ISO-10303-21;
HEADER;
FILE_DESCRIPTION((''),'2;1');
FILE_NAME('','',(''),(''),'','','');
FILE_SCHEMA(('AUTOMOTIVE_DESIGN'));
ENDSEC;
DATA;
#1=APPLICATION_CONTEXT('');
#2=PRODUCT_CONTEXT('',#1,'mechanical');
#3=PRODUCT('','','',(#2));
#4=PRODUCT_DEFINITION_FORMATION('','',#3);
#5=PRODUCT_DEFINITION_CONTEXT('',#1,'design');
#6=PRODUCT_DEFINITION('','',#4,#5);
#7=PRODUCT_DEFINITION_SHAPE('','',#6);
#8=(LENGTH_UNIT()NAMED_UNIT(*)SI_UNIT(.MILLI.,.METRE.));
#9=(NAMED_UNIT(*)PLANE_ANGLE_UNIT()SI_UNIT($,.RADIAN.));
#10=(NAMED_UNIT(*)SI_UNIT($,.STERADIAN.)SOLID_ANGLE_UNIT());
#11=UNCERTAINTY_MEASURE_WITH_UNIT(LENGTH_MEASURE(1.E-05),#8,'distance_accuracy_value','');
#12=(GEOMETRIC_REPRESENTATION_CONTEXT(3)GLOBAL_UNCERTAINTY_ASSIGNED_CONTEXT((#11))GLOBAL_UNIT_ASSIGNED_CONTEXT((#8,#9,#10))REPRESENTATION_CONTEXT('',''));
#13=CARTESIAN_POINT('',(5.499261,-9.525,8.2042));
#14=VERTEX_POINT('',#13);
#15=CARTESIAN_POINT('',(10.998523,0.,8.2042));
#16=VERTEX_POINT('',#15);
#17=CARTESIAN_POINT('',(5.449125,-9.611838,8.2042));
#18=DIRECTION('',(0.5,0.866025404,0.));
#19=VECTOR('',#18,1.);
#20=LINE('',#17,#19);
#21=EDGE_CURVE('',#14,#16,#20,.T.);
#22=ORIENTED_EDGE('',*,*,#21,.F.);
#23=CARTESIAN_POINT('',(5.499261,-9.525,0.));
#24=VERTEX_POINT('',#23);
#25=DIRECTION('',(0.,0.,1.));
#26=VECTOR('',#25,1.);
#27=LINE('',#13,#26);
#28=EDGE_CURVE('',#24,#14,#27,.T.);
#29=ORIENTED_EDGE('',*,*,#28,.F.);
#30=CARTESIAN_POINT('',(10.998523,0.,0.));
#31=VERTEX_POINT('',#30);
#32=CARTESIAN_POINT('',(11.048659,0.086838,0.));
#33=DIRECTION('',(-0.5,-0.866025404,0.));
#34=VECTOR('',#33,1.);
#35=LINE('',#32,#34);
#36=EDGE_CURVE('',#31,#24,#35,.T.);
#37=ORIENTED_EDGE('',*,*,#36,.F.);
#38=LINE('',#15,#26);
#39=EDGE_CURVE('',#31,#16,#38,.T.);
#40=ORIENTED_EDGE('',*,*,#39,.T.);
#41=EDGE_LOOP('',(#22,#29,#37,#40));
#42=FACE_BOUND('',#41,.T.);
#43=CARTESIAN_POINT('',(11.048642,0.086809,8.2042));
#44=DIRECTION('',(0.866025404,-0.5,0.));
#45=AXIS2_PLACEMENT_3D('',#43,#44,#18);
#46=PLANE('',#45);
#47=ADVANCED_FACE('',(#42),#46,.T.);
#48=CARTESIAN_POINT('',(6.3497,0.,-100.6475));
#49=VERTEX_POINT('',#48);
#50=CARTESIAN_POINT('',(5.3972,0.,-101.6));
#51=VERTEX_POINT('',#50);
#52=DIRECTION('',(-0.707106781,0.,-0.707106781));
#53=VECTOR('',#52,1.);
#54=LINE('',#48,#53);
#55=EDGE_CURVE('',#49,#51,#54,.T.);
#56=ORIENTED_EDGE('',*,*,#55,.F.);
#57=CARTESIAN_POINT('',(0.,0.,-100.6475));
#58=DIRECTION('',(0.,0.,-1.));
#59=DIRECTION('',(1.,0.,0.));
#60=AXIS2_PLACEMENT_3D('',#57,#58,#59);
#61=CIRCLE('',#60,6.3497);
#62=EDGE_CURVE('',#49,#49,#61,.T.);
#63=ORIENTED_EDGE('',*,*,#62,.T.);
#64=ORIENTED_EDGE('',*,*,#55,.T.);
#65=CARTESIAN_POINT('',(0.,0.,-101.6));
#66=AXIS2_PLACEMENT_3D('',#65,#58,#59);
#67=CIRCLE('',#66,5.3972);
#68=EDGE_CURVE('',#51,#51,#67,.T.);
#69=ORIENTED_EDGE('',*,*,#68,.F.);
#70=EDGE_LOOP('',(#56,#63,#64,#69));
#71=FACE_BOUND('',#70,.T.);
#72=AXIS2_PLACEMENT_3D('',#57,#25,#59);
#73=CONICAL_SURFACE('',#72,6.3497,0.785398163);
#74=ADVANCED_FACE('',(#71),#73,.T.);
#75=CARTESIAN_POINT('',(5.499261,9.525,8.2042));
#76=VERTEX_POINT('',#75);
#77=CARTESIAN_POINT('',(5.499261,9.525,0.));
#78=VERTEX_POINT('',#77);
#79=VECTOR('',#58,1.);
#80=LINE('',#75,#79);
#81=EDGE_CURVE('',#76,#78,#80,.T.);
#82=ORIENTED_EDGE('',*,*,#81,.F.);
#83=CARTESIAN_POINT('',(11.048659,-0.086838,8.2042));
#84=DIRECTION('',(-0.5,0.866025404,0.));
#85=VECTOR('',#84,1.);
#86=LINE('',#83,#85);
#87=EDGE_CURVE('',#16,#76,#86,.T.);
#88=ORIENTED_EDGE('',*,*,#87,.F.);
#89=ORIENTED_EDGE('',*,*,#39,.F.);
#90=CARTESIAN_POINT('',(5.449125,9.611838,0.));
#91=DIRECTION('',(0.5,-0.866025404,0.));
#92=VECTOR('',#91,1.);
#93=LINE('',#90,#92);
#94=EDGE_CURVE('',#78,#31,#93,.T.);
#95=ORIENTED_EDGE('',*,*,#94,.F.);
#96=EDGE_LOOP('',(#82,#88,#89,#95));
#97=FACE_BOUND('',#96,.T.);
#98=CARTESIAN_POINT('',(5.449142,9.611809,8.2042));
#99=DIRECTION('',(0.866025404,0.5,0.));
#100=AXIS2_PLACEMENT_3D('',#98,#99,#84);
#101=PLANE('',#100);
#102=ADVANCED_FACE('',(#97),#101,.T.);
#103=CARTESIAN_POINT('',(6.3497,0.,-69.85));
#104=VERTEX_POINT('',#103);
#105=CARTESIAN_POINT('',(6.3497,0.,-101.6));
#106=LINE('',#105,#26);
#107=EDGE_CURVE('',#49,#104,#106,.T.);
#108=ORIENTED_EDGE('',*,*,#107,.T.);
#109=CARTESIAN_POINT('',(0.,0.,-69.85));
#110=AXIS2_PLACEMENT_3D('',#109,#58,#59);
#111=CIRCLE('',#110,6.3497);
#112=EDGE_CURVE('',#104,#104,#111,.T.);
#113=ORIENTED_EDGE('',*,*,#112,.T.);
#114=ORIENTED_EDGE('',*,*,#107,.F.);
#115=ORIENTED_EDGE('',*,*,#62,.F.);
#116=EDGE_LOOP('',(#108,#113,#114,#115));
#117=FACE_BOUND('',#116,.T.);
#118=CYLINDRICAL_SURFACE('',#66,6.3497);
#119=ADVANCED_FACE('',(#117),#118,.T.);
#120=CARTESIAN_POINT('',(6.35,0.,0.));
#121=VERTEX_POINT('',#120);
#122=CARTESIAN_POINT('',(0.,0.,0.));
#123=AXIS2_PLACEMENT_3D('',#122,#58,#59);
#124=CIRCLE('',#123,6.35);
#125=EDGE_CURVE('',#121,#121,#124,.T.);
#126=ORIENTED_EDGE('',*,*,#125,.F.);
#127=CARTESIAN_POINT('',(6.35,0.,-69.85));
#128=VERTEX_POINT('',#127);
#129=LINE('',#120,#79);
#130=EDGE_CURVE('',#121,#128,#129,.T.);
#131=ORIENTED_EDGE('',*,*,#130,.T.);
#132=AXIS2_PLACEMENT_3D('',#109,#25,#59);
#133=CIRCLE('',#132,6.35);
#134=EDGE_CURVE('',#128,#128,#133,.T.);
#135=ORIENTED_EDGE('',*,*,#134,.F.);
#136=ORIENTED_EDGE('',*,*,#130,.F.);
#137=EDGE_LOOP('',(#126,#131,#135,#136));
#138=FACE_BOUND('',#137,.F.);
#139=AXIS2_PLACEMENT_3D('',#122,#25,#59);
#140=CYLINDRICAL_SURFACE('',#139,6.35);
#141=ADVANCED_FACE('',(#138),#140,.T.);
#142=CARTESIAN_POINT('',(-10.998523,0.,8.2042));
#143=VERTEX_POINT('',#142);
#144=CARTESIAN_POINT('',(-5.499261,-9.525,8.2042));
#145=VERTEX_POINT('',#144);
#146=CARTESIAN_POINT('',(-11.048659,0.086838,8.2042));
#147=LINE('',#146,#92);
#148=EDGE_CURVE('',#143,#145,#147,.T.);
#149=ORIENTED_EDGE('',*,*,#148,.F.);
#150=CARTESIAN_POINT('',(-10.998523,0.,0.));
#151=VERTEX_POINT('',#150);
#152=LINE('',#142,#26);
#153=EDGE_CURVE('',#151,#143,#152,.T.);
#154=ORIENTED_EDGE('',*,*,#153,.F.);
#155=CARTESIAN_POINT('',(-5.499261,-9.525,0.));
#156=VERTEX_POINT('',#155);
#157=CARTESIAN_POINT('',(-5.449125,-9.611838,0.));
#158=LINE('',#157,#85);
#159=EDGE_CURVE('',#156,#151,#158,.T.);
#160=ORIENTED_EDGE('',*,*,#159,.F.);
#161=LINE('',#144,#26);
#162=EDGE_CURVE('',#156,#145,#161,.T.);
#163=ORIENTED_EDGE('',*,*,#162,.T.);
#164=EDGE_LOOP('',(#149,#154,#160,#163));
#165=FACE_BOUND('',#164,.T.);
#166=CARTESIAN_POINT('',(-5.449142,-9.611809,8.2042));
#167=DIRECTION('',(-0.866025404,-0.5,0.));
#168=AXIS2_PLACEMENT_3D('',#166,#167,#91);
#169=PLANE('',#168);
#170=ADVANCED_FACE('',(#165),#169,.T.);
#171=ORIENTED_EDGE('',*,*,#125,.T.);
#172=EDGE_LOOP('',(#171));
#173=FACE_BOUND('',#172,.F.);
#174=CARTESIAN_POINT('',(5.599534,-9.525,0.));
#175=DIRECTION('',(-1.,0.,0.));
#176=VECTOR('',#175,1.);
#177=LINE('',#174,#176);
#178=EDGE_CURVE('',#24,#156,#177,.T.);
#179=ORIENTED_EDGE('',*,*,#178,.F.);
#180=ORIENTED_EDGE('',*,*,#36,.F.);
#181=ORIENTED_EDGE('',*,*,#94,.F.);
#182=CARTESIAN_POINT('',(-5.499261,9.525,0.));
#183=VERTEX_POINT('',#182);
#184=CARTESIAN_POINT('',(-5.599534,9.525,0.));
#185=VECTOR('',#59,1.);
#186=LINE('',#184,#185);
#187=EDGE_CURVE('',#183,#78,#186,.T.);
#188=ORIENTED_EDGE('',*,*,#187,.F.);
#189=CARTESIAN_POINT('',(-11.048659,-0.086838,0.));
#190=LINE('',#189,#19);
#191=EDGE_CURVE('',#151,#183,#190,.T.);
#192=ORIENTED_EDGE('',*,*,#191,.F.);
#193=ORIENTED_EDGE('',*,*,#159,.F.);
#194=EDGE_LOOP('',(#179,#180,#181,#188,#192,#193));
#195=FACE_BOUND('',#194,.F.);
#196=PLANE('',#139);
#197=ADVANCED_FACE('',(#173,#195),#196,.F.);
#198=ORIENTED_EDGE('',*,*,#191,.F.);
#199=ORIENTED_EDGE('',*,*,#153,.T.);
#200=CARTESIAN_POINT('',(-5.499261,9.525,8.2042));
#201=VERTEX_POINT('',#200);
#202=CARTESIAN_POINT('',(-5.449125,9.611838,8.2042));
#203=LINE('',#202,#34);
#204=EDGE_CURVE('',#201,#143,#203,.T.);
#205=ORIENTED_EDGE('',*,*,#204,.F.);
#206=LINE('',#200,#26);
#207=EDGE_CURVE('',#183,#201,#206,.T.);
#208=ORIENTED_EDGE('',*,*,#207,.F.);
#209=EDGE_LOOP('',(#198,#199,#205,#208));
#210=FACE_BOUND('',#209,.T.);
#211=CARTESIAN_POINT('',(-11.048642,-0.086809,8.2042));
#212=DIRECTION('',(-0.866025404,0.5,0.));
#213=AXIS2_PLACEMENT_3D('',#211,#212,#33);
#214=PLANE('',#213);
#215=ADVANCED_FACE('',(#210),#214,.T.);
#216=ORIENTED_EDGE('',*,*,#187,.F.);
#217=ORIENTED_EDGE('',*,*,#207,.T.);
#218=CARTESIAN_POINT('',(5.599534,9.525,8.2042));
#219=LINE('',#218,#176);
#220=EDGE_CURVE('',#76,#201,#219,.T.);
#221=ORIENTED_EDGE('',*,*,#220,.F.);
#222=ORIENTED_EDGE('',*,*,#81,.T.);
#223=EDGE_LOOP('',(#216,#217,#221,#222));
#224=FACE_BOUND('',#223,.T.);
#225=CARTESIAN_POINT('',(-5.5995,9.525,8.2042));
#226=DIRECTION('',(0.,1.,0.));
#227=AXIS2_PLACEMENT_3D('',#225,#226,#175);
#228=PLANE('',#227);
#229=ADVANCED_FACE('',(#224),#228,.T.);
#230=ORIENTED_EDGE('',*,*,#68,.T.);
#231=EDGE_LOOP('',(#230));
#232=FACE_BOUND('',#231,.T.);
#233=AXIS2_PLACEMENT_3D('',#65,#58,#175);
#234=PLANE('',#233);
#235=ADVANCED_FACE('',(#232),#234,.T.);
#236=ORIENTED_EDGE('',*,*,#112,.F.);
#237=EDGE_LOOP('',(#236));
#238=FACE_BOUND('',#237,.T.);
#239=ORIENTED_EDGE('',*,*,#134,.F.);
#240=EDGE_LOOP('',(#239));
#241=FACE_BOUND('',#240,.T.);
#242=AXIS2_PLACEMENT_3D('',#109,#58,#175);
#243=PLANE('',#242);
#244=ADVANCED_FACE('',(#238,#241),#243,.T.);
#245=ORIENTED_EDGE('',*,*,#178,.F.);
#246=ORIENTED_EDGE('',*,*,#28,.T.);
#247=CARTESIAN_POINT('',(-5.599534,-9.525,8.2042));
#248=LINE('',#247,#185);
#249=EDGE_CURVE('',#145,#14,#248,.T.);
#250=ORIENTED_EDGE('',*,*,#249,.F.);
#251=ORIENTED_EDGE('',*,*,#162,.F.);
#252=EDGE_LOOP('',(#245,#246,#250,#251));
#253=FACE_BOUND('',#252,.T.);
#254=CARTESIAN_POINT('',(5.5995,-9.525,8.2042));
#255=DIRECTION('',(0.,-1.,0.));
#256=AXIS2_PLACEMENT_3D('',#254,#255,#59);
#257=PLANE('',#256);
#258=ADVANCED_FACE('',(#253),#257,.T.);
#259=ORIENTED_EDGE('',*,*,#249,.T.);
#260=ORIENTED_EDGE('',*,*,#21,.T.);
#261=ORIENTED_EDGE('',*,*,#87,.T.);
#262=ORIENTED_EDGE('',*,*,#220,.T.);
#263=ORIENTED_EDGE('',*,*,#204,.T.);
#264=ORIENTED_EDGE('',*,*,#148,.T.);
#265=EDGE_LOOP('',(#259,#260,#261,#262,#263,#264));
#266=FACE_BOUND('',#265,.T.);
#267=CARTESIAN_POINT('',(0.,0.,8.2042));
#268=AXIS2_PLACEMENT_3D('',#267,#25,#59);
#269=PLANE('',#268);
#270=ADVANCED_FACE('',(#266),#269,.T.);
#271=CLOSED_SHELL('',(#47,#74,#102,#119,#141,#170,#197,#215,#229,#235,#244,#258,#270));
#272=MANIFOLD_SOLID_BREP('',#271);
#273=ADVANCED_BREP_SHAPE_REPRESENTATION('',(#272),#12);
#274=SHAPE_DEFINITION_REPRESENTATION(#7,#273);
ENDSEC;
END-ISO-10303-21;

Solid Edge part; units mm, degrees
sketch "Sketch1" plane through (0, 0, 0) normal (0, 0, 1) x (1, 0, 0)
  circle A0 centre (0, 0) radius 11.049
  dimension "D1" = 22.098
extrude "Protrusion1" add sketch "Sketch1" along normal blind 8.2042
sketch "Sketch2" plane through (0, 0, 0) normal (0, 0, -1) x (1, 0, 0)
  circle A0 centre (0, 0) radius 6.35
extrude "Protrusion2" add sketch "Sketch2" along normal blind 101.6
sketch "Sketch3" plane through (0, 0, -101.6) normal (0, 0, -1) x (1, 0, 0)
  circle A0 centre (0, 0) radius 6.3497
extrude "Cutout1" cut sketch "Sketch3" against normal blind 31.75 flip side to cut
chamfer "Chamfer_1" distance 0.9525 angle 45 1 edges at (-6.3497, 0, -101.6)
sketch "Sketch4" plane through (0, 0, 8.2042) normal (0, 0, 1) x (1, 0, 0)
  line L0 (-5.5995, 9.525) -> (5.5995, 9.525)
  dimension "D1" = 19.05
extrude "Cutout2" cut sketch "Sketch4" against normal up to next material side at (0, 9.575, 8.2042)
pattern_circular "Pattern1" count 6 over 360 about axis through (0, 0, 8.2042) along (0, 0, 1) of "Cutout2"
properties part number "24100036"
